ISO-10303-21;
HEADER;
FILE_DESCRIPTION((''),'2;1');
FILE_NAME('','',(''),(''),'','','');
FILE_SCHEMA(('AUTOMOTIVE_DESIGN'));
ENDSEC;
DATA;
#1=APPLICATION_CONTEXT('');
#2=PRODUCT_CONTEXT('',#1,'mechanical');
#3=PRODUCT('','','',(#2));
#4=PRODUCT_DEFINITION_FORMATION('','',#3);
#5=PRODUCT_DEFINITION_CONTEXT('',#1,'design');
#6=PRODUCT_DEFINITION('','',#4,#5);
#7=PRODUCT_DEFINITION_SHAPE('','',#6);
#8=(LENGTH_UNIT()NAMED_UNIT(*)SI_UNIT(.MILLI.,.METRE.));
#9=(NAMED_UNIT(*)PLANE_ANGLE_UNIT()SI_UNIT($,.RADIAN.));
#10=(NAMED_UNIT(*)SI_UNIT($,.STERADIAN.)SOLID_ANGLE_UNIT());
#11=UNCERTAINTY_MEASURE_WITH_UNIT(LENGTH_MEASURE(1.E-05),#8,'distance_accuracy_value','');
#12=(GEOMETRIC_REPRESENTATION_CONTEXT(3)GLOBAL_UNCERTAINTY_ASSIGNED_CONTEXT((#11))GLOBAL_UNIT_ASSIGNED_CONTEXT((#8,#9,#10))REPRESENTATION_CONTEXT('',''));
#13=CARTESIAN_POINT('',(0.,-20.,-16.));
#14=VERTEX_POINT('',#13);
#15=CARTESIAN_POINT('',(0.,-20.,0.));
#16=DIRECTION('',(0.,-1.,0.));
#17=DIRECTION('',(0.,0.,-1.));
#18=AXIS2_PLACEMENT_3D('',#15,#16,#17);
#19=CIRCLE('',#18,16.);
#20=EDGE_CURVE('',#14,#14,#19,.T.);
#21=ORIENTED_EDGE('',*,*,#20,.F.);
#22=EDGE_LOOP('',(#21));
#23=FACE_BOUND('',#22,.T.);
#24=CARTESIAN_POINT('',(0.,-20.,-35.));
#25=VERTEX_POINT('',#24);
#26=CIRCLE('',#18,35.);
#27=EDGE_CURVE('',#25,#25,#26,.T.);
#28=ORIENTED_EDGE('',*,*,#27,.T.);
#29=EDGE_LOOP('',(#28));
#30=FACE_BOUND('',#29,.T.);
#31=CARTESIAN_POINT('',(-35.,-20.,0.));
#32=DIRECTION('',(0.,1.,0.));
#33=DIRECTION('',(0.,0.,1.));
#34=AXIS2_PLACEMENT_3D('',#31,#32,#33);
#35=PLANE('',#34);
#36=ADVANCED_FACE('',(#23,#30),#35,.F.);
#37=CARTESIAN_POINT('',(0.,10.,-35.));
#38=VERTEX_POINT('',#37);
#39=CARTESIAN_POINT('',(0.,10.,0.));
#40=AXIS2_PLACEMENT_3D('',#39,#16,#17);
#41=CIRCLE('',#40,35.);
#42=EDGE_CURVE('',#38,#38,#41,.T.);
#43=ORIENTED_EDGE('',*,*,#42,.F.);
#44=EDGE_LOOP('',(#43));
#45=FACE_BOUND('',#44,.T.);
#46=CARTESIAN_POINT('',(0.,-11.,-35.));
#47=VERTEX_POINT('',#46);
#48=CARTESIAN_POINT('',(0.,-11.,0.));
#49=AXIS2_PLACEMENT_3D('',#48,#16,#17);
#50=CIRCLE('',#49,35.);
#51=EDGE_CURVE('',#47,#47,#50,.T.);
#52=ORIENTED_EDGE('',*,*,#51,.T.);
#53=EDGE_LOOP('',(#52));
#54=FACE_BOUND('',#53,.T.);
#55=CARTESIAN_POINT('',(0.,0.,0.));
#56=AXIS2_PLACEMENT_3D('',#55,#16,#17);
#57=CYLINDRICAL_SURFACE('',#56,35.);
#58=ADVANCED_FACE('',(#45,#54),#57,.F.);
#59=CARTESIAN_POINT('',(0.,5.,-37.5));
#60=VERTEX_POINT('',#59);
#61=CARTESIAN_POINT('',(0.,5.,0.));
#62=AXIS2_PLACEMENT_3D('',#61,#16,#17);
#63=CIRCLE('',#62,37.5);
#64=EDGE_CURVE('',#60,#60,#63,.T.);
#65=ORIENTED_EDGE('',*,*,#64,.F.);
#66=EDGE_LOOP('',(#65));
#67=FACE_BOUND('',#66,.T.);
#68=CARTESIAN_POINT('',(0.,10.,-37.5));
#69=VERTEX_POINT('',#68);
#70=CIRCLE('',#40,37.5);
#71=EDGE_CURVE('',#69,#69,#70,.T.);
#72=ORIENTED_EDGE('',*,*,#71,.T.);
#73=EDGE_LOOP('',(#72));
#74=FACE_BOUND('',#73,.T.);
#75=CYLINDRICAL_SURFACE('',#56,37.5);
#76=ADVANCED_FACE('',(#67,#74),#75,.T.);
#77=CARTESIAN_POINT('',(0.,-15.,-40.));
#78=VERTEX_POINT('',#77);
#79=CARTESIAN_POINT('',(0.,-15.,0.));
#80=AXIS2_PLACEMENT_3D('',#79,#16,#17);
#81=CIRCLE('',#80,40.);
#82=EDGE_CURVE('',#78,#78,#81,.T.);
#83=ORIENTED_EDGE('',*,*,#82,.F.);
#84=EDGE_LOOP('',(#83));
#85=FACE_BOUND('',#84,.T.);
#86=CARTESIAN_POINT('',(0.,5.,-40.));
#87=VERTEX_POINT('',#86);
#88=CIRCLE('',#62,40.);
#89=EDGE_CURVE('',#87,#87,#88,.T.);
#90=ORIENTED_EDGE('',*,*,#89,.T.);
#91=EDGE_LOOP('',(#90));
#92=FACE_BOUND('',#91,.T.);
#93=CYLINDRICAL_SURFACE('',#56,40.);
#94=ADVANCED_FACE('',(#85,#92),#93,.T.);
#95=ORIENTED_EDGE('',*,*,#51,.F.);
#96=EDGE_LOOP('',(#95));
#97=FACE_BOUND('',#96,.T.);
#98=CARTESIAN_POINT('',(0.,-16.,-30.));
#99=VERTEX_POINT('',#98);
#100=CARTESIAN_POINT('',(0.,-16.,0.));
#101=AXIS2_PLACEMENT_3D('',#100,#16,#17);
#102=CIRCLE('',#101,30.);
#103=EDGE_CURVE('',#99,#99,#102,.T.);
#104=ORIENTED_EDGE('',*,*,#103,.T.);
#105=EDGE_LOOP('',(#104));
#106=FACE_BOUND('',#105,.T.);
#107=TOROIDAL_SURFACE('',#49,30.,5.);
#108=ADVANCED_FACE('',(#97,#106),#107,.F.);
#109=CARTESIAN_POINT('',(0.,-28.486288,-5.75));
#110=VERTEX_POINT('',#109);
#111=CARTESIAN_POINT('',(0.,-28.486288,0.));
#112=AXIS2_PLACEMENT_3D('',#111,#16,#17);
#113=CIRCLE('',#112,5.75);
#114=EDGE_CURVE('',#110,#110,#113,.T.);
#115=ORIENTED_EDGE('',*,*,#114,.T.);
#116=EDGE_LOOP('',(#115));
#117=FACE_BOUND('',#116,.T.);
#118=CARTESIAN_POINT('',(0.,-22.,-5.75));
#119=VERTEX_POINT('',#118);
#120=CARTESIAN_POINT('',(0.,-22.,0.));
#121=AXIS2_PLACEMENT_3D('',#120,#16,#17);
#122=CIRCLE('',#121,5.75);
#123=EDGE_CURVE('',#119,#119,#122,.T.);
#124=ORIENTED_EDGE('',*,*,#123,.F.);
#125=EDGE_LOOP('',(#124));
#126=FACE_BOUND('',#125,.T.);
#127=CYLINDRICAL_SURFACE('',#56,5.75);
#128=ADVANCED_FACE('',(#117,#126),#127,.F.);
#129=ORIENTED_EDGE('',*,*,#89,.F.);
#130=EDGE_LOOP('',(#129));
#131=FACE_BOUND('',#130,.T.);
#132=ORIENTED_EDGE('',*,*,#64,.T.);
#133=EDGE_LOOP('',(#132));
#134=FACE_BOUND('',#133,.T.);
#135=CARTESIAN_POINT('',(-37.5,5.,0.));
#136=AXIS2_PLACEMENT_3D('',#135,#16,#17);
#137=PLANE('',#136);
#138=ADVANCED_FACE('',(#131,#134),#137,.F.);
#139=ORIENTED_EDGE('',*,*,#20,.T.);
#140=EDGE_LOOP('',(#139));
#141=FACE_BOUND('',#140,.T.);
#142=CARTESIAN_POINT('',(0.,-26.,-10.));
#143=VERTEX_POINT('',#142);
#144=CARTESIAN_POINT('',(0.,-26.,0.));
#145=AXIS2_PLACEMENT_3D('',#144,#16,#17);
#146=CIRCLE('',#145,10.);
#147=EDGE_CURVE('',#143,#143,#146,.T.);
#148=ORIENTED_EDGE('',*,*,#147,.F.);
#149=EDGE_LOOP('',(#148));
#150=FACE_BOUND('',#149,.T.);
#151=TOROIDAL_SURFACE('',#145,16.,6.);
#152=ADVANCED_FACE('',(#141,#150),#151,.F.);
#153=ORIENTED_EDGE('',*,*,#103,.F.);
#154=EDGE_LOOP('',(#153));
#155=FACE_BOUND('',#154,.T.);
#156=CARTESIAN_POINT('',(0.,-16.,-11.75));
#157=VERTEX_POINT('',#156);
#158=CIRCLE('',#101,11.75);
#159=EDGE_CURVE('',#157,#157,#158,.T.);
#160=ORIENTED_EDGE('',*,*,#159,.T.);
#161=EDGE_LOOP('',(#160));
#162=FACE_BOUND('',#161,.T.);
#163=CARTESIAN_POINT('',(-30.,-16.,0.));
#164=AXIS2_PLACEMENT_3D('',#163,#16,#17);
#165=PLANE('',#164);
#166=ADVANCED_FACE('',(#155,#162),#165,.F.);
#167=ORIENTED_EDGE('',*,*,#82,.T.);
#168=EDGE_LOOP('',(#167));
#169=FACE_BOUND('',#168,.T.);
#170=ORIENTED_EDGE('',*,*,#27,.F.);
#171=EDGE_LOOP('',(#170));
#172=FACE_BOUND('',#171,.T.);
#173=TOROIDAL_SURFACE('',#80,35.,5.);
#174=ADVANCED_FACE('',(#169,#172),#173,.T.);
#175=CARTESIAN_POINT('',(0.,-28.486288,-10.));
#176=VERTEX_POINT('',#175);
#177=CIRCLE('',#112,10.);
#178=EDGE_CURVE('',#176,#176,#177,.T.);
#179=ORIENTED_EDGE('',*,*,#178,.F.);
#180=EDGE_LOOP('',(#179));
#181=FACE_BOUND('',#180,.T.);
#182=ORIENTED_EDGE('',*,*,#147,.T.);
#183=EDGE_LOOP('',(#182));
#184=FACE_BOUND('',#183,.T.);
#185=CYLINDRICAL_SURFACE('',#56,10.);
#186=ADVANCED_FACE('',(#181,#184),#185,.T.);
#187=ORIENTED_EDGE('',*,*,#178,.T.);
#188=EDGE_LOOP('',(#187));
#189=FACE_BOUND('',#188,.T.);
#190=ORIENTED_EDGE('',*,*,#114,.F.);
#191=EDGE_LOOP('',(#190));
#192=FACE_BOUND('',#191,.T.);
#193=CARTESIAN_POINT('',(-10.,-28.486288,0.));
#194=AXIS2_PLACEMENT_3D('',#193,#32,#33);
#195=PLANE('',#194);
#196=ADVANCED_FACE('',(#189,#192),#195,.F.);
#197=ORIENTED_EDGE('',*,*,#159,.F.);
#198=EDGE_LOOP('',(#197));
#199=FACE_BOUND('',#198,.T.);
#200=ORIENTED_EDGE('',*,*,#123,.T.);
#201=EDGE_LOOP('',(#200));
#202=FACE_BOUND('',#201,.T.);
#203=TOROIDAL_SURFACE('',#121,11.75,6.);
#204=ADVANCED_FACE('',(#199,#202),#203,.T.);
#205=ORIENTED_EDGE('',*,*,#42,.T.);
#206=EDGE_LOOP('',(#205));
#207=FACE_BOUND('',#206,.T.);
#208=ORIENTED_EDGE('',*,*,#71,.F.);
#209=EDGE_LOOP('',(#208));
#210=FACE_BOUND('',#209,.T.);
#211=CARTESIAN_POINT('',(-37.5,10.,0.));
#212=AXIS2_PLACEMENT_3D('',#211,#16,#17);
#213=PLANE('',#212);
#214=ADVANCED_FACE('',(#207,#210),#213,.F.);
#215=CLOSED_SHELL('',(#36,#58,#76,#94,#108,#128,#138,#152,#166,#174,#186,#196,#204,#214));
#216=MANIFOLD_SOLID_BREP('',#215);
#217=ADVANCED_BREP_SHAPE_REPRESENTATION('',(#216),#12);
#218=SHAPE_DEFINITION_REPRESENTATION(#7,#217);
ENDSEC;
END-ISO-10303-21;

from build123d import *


with BuildPart() as part:
    # Sketch1 → Revolve1 (revolve)
    with BuildSketch(Plane.XY, mode=Mode.PRIVATE) as revolve1_sk:
        with BuildLine():
            Line((-40, 5), (-40, -15))
            ThreePointArc((-40, -15), (-38.535533906, -18.535533906), (-35, -20))
            Line((-35, -20), (-16, -20))
            ThreePointArc((-16, -20), (-11.757359313, -21.757359313), (-10, -26))
            Line((-10, -26), (-10, -28.486287513))
            Line((-10, -28.486287513), (-5.75, -28.486287513))
            Line((-5.75, -28.486287513), (-5.75, -22))
            ThreePointArc((-5.75, -22), (-7.507359313, -17.757359313), (-11.75, -16))
            Line((-11.75, -16), (-30, -16))
            ThreePointArc((-30, -16), (-33.535533906, -14.535533906), (-35, -11))
            Line((-35, -11), (-35, 10))
            Line((-35, 10), (-37.5, 10))
            Line((-37.5, 10), (-37.5, 5))
            Line((-37.5, 5), (-40, 5))
        make_face()
    revolve(revolve1_sk.sketch.rotate(Axis((0, 0, 0), (0, 1, 0)), 270), axis=Axis((0, 0, 0), (0, 1, 0)))


solid = part.part
